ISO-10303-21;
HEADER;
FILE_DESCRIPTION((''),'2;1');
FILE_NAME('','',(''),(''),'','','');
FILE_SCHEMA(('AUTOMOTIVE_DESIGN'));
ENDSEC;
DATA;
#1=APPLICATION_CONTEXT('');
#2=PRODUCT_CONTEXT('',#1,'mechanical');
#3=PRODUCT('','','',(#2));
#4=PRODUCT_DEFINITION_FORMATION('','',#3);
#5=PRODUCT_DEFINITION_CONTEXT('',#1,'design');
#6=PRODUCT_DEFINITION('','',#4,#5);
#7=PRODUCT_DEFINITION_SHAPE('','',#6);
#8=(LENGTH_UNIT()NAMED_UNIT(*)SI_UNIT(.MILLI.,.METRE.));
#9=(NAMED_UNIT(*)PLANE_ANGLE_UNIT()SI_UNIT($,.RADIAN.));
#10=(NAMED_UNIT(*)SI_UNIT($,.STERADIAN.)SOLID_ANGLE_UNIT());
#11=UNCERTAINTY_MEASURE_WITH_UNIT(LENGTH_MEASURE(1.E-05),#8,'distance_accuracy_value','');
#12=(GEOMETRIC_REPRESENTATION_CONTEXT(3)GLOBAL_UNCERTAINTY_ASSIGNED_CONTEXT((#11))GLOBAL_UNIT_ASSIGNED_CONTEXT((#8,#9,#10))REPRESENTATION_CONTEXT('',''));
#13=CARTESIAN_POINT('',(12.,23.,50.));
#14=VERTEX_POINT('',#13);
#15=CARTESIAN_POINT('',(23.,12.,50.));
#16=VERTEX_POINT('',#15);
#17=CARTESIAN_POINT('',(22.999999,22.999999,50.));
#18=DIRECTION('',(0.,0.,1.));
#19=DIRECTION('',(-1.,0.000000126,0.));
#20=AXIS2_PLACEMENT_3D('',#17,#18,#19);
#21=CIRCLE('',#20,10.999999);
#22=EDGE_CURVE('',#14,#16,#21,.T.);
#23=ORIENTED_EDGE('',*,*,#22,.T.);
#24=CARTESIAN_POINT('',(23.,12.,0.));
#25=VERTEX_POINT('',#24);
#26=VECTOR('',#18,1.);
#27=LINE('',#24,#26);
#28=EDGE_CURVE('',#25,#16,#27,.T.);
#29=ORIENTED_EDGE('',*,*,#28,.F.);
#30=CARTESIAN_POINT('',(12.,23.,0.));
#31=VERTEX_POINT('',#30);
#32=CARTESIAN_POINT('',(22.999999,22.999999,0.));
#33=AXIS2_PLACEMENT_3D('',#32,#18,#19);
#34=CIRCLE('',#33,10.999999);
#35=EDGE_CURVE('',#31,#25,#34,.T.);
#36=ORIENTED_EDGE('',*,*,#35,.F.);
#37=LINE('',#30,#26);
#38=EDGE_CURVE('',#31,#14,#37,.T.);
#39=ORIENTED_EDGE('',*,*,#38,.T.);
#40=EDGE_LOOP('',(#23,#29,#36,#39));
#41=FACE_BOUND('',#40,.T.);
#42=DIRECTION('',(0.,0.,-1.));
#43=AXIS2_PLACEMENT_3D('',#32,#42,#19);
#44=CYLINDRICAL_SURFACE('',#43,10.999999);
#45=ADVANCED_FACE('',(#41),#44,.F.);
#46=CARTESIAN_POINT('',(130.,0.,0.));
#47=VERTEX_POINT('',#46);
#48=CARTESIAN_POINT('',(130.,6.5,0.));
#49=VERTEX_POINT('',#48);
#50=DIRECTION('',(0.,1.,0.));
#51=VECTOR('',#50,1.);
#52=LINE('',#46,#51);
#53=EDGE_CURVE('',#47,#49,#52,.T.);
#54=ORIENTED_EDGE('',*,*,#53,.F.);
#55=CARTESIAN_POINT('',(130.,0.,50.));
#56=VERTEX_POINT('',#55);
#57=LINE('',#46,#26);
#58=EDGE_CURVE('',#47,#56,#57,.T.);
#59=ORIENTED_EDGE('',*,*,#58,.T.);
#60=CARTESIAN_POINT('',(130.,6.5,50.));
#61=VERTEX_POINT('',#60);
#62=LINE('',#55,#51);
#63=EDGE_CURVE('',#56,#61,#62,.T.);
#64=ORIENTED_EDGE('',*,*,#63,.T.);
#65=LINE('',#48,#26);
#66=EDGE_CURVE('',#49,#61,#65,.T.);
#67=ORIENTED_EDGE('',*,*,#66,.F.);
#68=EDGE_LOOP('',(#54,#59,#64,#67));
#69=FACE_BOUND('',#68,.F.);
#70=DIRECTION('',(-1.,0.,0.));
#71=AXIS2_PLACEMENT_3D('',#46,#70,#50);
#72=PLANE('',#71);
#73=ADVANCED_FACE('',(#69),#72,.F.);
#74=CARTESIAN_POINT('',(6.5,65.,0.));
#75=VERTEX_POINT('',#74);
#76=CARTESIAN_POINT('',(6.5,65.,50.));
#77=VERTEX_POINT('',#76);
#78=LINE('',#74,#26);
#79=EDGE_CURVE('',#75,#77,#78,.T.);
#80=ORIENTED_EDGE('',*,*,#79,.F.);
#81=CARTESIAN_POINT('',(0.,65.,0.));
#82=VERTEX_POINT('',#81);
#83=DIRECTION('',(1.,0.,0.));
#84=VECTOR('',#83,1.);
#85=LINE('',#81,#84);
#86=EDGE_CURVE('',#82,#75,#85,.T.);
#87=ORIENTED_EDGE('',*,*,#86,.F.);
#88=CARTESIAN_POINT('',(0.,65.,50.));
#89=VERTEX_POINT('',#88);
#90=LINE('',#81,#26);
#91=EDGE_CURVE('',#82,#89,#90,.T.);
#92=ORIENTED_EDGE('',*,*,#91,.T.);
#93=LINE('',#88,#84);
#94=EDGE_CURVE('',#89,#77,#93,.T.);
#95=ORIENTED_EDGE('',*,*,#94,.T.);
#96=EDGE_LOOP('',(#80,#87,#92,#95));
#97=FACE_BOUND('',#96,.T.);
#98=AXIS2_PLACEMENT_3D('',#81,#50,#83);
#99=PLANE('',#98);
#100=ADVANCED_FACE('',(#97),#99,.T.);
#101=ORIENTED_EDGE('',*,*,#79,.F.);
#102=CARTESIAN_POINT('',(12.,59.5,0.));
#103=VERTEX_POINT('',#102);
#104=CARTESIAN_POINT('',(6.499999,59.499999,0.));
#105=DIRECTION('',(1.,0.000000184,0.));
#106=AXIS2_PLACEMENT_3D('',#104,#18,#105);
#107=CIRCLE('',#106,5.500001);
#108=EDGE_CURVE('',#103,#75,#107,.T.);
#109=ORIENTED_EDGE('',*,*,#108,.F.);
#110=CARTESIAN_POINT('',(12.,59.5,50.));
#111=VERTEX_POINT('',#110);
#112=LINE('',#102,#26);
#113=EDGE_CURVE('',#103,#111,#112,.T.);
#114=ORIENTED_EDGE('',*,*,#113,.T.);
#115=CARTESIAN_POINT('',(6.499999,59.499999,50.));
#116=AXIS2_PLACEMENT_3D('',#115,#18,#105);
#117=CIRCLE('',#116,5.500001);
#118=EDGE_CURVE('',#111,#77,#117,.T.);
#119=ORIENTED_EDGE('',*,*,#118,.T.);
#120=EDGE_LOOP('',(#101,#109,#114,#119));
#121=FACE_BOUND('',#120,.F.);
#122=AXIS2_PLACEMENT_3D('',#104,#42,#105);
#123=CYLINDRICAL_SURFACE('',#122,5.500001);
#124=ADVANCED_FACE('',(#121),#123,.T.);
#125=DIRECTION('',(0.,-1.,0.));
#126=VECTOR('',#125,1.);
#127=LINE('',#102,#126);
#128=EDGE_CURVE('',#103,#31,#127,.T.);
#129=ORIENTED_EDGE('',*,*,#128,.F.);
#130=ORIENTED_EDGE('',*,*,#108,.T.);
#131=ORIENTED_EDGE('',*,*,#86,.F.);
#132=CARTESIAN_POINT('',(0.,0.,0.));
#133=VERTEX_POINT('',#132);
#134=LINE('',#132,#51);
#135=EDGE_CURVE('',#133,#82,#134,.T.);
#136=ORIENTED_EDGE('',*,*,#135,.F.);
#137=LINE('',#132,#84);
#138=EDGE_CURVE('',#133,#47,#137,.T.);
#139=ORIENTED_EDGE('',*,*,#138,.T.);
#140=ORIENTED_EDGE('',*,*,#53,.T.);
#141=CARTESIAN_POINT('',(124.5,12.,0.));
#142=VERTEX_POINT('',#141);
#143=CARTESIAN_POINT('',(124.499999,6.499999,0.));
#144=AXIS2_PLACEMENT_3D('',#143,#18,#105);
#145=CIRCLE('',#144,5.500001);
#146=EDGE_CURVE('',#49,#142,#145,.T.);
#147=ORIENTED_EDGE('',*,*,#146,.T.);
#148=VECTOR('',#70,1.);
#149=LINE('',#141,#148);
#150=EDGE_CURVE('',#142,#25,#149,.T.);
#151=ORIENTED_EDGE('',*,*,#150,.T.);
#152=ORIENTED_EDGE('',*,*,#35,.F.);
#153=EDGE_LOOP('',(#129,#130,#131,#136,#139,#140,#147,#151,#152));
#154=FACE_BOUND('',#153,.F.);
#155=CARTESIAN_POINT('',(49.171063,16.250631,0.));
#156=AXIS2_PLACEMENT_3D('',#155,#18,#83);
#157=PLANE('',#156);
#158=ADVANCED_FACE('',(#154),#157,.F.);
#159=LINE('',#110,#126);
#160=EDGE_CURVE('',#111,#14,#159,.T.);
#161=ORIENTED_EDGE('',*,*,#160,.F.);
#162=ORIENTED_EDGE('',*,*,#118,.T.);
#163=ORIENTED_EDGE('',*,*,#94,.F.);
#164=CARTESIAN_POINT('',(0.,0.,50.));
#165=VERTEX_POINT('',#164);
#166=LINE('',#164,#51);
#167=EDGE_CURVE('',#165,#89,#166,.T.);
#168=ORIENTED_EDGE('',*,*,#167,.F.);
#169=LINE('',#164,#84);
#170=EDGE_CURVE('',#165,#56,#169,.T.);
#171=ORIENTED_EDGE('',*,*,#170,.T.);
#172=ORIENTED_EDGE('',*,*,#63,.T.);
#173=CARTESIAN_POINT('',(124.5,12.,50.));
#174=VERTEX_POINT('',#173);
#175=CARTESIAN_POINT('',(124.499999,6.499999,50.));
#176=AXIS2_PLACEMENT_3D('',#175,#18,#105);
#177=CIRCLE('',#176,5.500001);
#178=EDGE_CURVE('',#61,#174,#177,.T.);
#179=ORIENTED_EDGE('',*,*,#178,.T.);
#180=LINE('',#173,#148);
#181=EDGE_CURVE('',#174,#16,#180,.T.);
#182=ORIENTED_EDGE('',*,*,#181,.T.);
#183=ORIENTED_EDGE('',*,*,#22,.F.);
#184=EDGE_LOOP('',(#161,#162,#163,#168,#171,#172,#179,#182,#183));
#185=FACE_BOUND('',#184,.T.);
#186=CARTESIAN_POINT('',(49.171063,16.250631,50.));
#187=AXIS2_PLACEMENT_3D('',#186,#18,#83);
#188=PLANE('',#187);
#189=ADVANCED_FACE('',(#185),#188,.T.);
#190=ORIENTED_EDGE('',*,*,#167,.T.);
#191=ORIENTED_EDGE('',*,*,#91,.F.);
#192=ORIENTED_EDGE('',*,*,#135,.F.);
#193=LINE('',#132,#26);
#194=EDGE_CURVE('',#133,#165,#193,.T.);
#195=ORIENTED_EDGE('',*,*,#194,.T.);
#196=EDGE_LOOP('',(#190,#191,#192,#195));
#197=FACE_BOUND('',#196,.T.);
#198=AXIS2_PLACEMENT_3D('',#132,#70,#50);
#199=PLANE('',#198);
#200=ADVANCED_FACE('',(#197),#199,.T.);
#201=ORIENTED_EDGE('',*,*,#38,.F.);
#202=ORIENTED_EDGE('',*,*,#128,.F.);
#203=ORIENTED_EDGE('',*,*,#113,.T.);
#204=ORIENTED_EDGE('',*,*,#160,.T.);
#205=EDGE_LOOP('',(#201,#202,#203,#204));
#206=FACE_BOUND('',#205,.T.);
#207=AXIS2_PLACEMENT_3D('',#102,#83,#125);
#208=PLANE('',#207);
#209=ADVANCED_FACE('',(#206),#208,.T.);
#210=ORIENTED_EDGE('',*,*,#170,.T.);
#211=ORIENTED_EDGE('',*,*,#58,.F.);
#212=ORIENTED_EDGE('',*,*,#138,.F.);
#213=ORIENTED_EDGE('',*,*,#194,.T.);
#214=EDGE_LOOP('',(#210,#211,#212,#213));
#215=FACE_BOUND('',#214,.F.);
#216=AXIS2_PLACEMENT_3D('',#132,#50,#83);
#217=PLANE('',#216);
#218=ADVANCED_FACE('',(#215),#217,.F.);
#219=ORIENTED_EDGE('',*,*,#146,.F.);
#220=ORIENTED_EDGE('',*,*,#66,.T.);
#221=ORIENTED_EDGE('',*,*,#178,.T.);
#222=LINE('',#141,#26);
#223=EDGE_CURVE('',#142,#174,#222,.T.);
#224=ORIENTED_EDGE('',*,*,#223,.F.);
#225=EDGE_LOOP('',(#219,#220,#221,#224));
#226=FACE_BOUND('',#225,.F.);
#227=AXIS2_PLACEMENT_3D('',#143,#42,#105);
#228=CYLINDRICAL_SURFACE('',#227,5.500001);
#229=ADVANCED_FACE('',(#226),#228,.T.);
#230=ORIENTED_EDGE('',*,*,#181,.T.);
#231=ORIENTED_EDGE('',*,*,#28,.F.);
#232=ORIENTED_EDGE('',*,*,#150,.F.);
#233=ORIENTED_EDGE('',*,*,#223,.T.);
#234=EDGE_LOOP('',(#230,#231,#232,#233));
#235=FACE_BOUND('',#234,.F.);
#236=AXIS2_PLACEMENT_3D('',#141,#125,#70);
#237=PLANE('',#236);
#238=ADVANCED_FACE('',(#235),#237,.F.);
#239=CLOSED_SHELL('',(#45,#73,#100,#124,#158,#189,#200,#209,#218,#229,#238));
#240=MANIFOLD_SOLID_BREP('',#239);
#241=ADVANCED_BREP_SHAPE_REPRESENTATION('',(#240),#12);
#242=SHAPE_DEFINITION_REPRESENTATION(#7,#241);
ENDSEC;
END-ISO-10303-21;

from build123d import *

# Parameters (mm, degrees)
EXTRUDE_DEPTH = 50


with BuildPart() as part:
    # Sketch → Extrude (new body)
    with BuildSketch(Plane.XY):
        with BuildLine():
            Line((0, 0), (130, 0))
            Line((130, 0), (130, 6.5))
            ThreePointArc((130, 6.5), (128.389087, 10.389087), (124.5, 12))
            Line((124.5, 12), (23, 12))
            ThreePointArc((12, 23), (15.221825, 15.221825), (23, 12))
            Line((12, 59.5), (12, 23))
            ThreePointArc((12, 59.5), (10.389087, 63.389087), (6.5, 65))
            Line((0, 65), (6.5, 65))
            Line((0, 0), (0, 65))
        make_face()
    extrude(amount=EXTRUDE_DEPTH)


solid = part.part
